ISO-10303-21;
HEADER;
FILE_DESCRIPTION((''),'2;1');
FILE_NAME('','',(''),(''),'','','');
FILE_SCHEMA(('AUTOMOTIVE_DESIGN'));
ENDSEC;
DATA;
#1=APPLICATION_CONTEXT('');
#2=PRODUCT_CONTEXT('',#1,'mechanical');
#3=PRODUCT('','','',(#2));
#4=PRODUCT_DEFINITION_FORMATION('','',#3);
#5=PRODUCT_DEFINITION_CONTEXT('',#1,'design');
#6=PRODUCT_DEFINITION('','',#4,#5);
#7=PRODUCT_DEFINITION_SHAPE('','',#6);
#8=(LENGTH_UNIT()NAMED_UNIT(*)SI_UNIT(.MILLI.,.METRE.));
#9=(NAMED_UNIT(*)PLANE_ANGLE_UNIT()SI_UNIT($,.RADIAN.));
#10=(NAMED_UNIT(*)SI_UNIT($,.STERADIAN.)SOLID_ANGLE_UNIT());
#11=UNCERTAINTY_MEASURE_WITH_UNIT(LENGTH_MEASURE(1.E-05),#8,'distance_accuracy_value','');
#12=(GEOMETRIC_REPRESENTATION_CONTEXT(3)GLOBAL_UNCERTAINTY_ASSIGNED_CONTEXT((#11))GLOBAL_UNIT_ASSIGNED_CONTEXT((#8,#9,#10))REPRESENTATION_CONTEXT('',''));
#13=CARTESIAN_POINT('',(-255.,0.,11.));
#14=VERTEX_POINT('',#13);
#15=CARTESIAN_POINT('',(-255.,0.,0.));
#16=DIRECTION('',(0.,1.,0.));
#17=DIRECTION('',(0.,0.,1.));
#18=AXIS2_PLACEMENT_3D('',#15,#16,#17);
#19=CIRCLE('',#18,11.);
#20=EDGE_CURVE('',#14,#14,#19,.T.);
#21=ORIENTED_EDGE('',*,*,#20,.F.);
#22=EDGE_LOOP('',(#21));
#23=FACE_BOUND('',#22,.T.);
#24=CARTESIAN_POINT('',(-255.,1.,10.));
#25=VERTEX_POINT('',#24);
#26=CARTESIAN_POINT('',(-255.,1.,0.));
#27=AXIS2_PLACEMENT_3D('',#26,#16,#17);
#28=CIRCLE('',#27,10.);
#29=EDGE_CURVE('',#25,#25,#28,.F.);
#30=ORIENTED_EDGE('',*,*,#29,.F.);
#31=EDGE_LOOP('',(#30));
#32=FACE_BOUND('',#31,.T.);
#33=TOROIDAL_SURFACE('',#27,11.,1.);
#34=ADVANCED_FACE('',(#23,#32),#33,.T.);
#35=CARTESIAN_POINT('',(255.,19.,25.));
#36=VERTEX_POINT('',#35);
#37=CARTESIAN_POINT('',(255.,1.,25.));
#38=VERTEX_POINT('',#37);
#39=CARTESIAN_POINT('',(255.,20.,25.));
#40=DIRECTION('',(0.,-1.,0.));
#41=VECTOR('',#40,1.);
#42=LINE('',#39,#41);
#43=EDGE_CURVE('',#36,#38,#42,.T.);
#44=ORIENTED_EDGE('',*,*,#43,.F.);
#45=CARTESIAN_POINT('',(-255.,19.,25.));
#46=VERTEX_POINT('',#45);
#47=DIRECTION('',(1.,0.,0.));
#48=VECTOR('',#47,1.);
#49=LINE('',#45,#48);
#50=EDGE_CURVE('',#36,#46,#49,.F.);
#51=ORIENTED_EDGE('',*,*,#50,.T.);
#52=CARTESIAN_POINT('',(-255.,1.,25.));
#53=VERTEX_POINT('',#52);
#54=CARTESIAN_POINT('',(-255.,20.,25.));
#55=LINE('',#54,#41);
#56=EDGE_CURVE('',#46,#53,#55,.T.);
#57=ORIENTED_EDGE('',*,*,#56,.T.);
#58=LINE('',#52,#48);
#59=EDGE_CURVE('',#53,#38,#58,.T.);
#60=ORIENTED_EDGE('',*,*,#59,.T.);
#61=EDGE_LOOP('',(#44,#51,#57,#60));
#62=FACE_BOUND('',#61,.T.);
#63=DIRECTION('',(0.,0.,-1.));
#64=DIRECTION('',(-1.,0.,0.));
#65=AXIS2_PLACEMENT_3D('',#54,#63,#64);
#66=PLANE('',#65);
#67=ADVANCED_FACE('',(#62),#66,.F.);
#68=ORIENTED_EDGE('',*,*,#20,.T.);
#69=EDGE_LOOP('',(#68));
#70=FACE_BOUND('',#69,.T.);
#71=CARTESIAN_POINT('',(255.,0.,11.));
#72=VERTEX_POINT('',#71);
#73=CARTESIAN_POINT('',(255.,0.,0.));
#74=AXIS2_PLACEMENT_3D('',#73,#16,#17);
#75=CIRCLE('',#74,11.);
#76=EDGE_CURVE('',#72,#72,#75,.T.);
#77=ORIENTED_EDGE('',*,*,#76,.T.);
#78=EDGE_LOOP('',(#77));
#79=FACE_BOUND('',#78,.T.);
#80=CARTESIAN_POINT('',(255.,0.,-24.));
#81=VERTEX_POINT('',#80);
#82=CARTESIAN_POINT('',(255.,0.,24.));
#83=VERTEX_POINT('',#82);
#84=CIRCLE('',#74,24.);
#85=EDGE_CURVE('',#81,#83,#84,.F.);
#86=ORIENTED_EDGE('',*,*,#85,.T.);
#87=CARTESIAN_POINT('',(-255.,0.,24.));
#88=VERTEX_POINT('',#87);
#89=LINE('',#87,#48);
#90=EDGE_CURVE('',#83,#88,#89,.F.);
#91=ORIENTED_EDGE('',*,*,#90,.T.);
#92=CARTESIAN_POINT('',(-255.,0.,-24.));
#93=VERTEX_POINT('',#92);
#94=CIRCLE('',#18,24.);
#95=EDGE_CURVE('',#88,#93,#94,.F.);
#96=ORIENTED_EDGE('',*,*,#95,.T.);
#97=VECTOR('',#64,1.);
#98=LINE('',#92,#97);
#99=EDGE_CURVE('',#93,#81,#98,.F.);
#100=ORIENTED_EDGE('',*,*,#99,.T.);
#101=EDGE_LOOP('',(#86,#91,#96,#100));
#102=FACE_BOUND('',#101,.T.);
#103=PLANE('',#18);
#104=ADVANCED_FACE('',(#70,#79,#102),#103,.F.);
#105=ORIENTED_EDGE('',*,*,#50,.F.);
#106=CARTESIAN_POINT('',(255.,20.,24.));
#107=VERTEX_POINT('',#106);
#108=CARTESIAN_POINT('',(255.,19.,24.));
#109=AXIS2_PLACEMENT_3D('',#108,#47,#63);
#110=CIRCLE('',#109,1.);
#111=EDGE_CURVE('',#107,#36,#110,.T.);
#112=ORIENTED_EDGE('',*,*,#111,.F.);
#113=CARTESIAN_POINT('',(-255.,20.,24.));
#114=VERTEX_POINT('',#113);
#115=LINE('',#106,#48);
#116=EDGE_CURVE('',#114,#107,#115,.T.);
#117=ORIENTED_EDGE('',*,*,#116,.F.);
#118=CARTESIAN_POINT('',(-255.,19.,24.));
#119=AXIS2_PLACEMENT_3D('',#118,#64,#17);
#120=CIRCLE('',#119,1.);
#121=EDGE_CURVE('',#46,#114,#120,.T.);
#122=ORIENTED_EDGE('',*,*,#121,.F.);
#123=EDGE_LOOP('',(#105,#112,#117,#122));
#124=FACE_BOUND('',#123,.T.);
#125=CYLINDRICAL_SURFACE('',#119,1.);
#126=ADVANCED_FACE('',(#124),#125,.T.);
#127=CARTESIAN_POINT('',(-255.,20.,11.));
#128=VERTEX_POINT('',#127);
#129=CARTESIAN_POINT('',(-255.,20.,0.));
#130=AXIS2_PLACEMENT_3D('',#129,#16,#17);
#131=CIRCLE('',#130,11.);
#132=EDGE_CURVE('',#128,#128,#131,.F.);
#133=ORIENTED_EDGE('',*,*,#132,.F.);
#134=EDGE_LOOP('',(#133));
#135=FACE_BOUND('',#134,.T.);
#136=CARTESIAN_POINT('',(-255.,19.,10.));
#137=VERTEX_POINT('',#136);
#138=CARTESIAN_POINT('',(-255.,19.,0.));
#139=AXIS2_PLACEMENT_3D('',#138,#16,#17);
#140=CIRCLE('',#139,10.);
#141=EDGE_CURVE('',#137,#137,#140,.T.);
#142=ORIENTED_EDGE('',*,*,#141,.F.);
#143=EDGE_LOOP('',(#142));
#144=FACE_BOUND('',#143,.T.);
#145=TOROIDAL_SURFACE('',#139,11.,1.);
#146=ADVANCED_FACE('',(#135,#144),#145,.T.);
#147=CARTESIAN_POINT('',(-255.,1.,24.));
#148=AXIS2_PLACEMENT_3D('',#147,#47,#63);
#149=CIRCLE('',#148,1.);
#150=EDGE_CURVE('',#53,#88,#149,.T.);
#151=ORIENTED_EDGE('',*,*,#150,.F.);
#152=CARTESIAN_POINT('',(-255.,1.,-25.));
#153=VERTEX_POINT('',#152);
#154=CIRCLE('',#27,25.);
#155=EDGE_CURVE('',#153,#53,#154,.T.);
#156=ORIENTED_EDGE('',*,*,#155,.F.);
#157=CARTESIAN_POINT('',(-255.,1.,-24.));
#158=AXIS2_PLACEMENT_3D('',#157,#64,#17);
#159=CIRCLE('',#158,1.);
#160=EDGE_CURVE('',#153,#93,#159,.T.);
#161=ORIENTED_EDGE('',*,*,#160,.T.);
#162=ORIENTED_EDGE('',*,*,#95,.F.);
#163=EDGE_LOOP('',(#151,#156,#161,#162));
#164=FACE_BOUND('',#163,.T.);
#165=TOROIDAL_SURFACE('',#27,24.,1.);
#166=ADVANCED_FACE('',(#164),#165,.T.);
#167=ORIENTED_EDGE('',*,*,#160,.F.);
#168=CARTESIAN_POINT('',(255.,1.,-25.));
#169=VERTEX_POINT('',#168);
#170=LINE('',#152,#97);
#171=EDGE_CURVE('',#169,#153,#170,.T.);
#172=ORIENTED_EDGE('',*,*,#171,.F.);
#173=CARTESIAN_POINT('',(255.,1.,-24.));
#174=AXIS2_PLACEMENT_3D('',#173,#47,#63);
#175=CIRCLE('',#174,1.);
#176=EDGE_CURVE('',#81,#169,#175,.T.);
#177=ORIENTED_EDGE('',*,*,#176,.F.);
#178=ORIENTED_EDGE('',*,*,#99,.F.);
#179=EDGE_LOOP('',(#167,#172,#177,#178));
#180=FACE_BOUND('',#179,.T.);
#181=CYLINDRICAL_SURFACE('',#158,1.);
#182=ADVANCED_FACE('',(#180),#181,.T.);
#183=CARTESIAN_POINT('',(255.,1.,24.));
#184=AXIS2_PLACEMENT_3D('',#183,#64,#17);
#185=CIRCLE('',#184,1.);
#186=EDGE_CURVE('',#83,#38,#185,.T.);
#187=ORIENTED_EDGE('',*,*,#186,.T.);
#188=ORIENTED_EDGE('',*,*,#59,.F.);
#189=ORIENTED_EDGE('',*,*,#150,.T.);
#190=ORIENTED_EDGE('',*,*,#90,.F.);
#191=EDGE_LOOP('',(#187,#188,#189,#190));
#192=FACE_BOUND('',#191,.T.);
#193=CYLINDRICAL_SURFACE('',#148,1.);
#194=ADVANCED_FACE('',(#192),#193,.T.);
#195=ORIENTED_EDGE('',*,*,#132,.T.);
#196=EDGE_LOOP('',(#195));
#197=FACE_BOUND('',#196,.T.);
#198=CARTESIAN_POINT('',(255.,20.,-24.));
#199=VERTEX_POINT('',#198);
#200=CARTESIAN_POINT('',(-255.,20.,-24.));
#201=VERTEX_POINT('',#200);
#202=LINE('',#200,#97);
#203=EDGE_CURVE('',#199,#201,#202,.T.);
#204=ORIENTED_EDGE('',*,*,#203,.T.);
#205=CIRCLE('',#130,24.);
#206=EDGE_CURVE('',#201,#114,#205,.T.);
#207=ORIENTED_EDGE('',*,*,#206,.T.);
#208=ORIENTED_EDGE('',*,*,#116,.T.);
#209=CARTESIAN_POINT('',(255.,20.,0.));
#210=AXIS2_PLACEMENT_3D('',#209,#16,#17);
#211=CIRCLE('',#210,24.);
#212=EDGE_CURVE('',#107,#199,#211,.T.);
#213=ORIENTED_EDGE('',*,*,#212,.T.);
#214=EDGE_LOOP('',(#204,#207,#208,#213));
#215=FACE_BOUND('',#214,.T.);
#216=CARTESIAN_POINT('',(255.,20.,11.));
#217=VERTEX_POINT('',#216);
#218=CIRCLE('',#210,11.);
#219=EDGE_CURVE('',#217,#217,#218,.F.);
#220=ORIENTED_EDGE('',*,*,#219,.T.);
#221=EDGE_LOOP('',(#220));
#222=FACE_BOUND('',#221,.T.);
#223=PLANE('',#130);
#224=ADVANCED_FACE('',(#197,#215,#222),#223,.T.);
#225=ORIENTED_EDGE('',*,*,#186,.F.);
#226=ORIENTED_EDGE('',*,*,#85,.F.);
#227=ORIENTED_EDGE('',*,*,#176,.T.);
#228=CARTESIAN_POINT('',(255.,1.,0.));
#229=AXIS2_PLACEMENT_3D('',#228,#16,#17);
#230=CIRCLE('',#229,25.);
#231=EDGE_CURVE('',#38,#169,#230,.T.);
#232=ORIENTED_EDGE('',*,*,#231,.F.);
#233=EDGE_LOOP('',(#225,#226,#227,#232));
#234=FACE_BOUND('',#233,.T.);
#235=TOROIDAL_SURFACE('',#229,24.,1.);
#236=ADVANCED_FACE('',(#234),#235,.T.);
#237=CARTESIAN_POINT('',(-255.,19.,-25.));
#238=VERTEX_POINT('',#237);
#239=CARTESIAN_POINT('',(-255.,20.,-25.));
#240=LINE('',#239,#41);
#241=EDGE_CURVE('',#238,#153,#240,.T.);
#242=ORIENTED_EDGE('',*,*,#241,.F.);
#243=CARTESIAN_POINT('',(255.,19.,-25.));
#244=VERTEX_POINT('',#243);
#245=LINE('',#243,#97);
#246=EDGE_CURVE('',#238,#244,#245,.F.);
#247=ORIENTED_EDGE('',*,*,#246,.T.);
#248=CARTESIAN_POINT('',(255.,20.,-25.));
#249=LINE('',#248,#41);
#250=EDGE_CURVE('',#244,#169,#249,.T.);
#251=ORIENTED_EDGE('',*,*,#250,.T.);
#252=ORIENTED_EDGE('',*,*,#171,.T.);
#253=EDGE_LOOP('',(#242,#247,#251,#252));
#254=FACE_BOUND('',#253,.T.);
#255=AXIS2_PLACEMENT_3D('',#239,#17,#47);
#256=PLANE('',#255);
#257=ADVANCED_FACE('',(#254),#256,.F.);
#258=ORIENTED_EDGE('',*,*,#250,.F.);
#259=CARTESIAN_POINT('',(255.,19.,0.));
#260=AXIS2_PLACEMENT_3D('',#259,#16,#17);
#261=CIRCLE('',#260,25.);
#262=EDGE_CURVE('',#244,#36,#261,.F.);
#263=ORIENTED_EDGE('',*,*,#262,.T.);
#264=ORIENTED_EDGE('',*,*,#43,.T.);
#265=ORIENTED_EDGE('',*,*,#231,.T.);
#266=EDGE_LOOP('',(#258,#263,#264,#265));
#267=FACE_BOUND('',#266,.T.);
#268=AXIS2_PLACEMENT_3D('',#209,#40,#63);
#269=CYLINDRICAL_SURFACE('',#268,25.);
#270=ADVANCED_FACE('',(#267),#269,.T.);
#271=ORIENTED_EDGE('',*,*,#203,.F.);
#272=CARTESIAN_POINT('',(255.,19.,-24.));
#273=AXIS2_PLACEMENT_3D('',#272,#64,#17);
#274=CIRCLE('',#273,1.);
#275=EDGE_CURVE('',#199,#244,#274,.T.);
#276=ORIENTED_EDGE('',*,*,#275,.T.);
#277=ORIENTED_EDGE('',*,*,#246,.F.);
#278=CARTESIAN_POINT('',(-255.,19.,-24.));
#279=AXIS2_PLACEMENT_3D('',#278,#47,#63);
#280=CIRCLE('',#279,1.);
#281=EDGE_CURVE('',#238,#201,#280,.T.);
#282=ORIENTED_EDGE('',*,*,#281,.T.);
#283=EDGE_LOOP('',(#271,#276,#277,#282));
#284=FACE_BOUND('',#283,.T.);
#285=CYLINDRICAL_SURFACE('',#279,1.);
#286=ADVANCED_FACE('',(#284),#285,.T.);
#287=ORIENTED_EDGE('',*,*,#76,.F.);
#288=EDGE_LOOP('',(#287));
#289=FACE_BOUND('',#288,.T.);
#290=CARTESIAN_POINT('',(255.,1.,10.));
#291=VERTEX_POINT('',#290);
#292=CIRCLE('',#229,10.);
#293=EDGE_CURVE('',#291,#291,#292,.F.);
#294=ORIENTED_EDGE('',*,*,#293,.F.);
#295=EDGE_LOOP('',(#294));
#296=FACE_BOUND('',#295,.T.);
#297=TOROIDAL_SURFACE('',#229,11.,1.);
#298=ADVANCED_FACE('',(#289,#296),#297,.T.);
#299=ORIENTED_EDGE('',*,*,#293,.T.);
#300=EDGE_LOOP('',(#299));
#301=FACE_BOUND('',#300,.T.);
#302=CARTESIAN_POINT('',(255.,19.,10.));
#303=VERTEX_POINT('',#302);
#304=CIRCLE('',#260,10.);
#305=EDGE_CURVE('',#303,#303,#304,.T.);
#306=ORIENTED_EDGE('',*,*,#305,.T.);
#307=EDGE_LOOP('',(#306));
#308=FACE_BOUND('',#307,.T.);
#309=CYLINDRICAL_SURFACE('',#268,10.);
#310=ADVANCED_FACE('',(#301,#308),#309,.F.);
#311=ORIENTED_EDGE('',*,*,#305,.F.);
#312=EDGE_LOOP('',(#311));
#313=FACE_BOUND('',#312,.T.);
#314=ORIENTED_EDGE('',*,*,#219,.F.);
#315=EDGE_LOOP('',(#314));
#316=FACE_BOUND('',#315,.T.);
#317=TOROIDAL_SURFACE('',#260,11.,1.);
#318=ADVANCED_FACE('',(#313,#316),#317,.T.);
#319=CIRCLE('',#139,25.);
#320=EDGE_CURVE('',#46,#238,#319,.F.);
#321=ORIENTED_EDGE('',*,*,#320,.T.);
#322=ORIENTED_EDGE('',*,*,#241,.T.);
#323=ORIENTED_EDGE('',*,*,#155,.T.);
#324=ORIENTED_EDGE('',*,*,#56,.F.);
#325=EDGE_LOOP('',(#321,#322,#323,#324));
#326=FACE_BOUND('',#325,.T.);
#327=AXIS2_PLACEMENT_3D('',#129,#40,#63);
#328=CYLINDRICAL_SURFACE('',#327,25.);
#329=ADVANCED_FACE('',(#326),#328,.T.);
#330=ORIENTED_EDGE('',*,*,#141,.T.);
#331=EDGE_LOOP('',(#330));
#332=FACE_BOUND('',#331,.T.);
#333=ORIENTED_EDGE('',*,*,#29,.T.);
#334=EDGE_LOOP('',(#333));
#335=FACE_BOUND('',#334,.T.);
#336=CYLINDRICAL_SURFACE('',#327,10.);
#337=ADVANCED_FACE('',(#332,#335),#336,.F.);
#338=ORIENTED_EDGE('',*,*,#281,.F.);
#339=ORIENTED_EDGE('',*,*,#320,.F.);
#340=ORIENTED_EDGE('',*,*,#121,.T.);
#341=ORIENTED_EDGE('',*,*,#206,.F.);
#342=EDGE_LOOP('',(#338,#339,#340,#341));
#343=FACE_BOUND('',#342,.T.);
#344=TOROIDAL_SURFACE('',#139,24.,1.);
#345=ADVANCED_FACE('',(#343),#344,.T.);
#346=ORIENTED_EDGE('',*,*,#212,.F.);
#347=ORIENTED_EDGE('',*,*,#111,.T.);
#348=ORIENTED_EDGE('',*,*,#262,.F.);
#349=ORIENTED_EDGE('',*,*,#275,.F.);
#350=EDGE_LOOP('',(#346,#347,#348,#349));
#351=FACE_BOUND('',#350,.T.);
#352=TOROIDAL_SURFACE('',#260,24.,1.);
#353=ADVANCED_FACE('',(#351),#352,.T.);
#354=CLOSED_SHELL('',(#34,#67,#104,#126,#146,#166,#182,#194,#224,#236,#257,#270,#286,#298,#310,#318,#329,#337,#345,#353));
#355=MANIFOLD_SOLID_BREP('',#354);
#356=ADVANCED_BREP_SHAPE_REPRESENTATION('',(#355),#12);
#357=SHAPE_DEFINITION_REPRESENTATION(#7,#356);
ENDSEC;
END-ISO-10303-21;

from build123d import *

# Parameters (mm, degrees)
SKETCH1_R           = 10
BOSS_EXTRUDE1_DEPTH = 20
FILLET1_R           = 1


with BuildPart() as part:
    # Sketch1 → Boss-Extrude1 (new body)
    with BuildSketch(Plane(origin=(0, 0, 0), x_dir=(1, 0, 0), z_dir=(0, 1, 0))):
        with BuildLine():
            Line((-255, 25), (255, 25))
            ThreePointArc((255, 25), (280, 0), (255, -25))
            Line((255, -25), (-255, -25))
            ThreePointArc((-255, -25), (-280, 0), (-255, 25))
        make_face()
        with Locations((-255, 0)):
            Circle(SKETCH1_R, mode=Mode.SUBTRACT)
        with Locations((255, 0)):
            Circle(SKETCH1_R, mode=Mode.SUBTRACT)
    extrude(amount=BOSS_EXTRUDE1_DEPTH)

    # Fillet1
    fillet1_edges = [part.edges().sort_by_distance(p)[0] for p in [
        (-265, 0, 0),
        (-265, 20, 0),
        (280, 20, 0),
        (245, 0, 0),
        (245, 20, 0),
        (0, 20, -25),
        (-280, 20, 0),
        (0, 0, -25),
        (280, 0, 0),
        (0, 0, 25),
        (-280, 0, 0),
        (0, 20, 25),
    ]]
    fillet(fillet1_edges, radius=FILLET1_R)


solid = part.part
